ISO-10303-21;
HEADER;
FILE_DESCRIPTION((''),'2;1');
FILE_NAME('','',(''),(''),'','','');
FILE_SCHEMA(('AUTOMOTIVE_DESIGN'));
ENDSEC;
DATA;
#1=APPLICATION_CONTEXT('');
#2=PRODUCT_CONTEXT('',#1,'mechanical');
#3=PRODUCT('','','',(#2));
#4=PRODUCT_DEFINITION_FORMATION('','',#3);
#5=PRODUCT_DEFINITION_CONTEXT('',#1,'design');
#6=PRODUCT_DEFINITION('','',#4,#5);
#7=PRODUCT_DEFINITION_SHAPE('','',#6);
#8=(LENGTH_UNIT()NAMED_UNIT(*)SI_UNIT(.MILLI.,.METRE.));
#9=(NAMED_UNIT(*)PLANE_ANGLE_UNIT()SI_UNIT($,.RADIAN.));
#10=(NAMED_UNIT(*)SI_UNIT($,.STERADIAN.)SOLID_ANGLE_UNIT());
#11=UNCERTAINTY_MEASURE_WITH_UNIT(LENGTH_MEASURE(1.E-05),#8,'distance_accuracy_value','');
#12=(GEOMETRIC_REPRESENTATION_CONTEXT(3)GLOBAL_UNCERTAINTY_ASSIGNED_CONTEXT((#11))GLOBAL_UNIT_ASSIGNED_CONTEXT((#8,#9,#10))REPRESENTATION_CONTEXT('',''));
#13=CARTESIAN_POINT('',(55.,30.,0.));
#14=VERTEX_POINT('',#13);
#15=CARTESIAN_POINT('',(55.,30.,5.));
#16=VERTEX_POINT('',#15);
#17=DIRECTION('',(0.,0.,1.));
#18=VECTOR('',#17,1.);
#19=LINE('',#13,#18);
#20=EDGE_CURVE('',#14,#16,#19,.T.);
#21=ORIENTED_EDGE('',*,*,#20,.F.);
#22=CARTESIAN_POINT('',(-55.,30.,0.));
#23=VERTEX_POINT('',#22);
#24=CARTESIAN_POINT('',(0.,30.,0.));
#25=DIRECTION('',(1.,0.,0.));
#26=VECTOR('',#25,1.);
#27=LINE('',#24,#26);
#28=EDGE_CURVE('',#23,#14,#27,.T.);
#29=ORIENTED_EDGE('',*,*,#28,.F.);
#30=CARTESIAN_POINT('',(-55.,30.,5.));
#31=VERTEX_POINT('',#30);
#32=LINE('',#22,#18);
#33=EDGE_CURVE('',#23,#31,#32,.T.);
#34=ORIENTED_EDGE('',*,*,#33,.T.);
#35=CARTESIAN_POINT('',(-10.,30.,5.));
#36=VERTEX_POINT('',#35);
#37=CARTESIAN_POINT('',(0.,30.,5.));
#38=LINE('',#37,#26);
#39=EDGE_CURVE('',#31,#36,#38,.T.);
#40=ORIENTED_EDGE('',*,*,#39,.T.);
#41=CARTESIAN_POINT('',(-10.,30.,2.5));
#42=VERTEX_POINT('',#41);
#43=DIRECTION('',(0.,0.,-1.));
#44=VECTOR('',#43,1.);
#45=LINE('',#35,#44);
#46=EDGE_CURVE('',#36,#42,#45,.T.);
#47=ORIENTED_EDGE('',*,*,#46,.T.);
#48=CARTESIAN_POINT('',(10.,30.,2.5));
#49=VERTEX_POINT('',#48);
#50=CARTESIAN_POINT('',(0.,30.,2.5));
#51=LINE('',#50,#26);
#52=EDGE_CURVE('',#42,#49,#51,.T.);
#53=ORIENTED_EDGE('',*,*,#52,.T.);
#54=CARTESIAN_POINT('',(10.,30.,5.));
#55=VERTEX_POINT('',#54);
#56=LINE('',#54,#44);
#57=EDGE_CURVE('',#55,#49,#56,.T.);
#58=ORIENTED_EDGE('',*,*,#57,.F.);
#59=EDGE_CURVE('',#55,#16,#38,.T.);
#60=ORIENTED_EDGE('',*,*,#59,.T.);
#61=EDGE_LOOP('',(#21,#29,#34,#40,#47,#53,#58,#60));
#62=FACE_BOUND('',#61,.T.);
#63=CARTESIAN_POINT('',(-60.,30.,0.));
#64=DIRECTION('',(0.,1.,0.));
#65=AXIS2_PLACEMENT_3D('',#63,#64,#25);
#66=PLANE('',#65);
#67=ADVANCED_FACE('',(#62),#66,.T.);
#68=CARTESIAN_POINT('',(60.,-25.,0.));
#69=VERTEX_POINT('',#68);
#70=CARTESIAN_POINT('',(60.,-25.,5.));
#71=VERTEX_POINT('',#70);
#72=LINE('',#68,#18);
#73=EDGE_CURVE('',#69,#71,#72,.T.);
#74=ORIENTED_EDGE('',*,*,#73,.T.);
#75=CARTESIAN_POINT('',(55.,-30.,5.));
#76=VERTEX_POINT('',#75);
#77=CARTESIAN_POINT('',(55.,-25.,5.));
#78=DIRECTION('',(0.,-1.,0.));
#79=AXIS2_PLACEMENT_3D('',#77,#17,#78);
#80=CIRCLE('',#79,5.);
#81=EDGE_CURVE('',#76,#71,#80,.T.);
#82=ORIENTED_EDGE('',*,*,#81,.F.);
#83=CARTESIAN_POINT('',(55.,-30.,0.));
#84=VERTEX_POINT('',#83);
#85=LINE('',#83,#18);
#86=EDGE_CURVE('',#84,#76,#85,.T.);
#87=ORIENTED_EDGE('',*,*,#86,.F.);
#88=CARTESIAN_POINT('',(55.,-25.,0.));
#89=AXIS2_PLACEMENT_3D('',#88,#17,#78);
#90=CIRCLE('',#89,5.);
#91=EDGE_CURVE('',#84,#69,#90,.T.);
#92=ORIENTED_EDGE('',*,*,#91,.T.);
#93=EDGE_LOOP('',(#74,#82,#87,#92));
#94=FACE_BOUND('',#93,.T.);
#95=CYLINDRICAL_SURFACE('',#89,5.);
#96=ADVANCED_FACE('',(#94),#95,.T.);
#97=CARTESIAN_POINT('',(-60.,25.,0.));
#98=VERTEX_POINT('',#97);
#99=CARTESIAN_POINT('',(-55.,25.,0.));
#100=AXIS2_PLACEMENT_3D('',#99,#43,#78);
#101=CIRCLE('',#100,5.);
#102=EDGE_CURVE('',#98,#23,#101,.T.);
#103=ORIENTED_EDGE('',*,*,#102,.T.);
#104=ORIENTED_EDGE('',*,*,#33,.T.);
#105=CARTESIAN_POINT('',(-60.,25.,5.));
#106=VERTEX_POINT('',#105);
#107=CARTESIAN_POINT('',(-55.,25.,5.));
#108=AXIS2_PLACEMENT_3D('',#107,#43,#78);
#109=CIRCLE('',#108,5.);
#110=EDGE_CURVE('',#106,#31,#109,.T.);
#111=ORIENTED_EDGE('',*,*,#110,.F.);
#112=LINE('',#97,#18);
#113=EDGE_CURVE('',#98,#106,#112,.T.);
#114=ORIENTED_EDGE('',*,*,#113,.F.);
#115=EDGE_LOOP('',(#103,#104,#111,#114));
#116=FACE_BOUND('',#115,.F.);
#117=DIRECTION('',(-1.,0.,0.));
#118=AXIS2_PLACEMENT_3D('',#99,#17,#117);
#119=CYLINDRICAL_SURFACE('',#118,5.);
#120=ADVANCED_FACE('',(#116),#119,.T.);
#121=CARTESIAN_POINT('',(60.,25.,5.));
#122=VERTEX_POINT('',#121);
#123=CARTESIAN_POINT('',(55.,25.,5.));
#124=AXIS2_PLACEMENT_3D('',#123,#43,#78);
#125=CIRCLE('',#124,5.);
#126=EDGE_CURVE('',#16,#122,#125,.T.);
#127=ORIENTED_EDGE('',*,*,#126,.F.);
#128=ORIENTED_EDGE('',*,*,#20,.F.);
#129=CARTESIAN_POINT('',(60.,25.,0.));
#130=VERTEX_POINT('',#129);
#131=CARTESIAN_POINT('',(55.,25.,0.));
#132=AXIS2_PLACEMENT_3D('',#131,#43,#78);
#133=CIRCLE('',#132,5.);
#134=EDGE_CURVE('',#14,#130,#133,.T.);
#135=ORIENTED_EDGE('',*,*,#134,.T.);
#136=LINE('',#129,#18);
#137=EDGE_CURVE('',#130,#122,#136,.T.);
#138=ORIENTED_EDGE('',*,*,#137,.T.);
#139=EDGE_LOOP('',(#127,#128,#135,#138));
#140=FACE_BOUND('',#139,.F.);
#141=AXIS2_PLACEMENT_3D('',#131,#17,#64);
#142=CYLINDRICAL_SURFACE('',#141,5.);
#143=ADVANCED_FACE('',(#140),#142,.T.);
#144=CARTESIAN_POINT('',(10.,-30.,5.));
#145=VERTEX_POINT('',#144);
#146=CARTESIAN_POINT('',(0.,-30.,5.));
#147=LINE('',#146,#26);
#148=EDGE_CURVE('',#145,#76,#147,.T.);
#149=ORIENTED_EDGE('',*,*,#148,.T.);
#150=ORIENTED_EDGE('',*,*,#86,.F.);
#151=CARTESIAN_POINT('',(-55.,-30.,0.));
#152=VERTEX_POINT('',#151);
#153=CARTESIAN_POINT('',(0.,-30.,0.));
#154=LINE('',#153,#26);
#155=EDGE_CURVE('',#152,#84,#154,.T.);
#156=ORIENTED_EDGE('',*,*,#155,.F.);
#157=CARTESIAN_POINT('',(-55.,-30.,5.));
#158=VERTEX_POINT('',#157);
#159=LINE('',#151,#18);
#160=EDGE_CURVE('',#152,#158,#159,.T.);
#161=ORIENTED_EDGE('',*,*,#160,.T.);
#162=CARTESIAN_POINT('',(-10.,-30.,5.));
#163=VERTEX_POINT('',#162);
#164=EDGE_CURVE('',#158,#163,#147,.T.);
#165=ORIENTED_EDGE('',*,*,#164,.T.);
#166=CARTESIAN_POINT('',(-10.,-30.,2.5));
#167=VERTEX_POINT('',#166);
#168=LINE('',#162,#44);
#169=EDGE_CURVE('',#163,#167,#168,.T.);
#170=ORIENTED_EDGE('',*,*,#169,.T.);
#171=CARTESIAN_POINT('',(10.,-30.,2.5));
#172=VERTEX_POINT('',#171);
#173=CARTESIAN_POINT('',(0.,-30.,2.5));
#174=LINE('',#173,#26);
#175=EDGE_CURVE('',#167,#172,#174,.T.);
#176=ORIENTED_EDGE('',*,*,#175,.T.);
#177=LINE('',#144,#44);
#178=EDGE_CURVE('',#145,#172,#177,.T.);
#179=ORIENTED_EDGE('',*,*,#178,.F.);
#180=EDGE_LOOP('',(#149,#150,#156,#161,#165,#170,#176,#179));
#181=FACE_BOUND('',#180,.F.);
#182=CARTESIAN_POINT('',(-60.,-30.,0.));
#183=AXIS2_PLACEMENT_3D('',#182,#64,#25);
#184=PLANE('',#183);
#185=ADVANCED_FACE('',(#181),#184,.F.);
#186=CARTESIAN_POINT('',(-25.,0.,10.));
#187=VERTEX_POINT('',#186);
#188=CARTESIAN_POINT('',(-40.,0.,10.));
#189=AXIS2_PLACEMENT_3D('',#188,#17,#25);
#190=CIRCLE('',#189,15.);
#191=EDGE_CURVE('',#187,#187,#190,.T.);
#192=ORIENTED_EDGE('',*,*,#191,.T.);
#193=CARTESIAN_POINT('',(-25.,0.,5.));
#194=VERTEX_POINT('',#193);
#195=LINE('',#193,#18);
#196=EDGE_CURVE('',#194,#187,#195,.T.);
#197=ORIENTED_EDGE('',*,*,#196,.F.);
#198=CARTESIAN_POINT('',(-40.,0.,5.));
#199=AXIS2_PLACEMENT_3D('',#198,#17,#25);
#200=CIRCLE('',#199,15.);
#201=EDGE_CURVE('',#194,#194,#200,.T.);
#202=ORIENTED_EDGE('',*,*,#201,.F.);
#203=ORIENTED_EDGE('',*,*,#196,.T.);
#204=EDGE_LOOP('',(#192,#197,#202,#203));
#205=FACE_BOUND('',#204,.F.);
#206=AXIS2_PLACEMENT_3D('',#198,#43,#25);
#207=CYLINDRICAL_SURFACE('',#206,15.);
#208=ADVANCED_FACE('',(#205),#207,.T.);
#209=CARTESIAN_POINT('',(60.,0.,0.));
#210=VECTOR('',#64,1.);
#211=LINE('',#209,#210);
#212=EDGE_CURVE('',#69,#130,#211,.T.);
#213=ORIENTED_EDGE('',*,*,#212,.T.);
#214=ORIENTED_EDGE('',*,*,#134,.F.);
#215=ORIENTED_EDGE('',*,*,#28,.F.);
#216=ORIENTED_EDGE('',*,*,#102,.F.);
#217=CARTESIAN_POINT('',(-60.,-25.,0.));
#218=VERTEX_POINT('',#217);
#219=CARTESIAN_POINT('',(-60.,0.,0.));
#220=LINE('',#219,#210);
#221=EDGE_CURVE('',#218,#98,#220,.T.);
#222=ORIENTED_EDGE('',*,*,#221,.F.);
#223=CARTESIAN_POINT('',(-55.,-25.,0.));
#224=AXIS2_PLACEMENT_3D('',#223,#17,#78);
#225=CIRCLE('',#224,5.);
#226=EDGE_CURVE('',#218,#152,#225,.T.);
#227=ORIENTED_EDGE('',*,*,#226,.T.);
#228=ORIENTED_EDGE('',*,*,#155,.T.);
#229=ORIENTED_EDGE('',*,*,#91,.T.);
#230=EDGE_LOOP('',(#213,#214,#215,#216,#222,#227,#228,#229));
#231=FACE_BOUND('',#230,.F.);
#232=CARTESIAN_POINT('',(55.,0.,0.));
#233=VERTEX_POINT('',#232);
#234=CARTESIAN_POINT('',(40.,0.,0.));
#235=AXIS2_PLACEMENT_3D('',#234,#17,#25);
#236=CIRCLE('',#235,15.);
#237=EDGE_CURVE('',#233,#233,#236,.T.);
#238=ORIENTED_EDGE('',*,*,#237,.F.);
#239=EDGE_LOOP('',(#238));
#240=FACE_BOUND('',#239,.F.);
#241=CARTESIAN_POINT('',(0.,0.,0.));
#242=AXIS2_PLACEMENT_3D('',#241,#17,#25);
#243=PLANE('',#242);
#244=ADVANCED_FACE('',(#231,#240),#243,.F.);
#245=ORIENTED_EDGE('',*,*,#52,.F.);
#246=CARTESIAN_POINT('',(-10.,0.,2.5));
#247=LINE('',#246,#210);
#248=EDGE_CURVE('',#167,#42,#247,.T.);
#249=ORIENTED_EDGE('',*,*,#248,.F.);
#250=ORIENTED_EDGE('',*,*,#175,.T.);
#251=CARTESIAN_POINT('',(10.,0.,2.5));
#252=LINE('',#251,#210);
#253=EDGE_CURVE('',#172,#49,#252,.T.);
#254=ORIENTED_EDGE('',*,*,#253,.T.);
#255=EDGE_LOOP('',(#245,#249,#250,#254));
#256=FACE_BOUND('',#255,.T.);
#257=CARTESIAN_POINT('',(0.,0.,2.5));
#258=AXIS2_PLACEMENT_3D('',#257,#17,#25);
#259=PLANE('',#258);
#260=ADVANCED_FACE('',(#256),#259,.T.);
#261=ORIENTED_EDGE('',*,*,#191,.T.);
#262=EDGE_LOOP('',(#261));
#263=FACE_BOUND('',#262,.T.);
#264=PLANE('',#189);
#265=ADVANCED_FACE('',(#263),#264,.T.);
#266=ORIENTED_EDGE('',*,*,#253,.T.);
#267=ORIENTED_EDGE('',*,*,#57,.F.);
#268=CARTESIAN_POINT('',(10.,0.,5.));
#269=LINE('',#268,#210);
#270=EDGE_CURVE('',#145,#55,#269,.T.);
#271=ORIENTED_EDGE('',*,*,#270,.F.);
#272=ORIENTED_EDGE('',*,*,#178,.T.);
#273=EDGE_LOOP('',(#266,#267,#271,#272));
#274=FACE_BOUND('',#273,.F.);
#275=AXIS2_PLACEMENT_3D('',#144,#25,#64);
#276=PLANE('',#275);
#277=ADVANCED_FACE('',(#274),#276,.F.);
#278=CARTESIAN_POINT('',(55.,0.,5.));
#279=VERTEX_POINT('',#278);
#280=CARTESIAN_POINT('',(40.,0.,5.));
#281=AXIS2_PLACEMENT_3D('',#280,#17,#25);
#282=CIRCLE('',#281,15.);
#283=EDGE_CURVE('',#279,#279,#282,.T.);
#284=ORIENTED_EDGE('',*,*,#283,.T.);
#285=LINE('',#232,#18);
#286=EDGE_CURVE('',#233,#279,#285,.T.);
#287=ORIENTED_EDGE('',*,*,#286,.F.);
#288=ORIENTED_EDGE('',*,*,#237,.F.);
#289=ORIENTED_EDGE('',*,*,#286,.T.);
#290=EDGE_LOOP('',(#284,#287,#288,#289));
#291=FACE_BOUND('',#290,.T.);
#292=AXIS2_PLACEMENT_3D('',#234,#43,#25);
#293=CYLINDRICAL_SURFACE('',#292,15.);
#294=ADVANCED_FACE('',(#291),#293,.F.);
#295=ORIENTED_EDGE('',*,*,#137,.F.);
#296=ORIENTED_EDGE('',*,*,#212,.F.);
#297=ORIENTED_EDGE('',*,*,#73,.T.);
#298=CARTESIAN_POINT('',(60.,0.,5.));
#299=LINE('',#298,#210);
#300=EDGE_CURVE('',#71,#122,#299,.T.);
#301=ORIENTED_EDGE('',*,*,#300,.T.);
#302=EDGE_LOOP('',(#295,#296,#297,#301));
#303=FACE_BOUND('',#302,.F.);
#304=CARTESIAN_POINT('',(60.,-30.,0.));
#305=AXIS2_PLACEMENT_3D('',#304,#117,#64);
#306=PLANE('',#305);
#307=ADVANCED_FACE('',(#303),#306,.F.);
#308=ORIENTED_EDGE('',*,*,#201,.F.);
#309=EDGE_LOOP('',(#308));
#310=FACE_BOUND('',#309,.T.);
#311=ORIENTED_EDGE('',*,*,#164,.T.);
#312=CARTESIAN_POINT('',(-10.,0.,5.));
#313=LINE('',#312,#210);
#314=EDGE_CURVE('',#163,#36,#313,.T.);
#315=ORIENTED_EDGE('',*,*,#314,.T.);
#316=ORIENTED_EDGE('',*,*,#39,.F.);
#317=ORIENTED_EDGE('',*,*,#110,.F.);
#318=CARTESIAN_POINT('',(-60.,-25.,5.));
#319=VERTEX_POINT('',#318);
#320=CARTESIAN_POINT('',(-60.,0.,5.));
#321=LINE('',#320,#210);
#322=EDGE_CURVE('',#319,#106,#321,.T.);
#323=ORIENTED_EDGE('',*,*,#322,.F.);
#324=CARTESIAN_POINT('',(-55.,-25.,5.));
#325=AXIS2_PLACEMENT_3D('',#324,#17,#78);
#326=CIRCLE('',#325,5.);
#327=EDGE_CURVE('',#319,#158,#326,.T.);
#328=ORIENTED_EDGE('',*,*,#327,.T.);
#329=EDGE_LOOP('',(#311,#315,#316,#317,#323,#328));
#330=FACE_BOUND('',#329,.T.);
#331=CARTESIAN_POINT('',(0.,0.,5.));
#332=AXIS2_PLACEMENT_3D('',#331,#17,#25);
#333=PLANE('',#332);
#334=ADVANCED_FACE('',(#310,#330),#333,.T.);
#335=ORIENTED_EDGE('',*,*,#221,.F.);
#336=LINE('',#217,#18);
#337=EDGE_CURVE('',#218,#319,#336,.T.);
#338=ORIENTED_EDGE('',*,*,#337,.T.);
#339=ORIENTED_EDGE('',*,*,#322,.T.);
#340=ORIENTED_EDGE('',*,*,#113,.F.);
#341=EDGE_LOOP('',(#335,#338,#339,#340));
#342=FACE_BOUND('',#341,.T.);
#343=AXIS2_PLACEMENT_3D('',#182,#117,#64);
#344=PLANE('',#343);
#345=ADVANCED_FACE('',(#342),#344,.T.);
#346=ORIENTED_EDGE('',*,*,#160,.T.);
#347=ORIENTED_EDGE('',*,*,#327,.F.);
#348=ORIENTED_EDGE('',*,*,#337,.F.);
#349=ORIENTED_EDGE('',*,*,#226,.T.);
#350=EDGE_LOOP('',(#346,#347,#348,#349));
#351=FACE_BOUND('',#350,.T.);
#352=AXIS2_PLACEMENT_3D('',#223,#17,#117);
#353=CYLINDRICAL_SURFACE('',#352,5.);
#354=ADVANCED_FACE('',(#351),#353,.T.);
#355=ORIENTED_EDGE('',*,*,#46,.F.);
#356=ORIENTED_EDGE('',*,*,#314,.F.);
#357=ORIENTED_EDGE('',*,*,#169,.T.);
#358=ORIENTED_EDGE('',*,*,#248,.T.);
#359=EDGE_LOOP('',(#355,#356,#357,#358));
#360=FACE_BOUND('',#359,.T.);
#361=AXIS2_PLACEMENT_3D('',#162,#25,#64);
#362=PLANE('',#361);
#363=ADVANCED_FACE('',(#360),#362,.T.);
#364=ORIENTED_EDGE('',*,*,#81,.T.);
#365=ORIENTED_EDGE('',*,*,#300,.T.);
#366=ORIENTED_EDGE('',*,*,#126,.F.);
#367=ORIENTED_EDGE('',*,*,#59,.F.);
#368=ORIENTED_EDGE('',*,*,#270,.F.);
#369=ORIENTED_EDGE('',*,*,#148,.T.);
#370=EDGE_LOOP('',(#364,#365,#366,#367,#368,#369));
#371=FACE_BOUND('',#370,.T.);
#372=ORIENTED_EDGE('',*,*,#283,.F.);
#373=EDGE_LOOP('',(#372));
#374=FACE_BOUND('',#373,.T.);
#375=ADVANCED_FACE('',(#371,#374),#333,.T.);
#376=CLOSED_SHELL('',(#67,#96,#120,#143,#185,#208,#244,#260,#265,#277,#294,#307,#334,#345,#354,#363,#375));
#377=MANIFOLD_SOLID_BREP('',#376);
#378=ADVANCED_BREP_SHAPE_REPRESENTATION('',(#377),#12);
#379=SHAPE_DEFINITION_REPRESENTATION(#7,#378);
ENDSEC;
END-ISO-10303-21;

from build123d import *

# Parameters (mm, degrees)
F0_W     = 120
F0_H     = 60
F0_R     = 15
F1_DEPTH = 5
F2_R     = 5
F3_R     = 15
F4_DEPTH = 5
F5_W     = 20
F5_H     = 60
F6_DEPTH = 2.5


with BuildPart() as f1:
    # F0 (on Top) → F1 (new body)
    with BuildSketch(Plane.XY):
        Rectangle(F0_W, F0_H)
        with Locations((40, 0)):
            Circle(F0_R, mode=Mode.SUBTRACT)
    extrude(amount=F1_DEPTH)

    # F2
    f2_edges = [f1.edges().sort_by_distance(p)[0] for p in [
        (60, 30, 2.5),
        (60, -30, 2.5),
        (-60, 30, 2.5),
        (-60, -30, 2.5),
    ]]
    fillet(f2_edges, radius=F2_R)

    # F3 (on face) → F4 (join)
    with BuildSketch(Plane.XY.offset(5)):
        with Locations((-40, 0)):
            Circle(F3_R)
    extrude(amount=F4_DEPTH)

    # F5 (on face) → F6 (cut)
    with BuildSketch(Plane.XY.offset(5)):
        Rectangle(F5_W, F5_H)
    extrude(amount=-F6_DEPTH, mode=Mode.SUBTRACT)


solid = f1.part
